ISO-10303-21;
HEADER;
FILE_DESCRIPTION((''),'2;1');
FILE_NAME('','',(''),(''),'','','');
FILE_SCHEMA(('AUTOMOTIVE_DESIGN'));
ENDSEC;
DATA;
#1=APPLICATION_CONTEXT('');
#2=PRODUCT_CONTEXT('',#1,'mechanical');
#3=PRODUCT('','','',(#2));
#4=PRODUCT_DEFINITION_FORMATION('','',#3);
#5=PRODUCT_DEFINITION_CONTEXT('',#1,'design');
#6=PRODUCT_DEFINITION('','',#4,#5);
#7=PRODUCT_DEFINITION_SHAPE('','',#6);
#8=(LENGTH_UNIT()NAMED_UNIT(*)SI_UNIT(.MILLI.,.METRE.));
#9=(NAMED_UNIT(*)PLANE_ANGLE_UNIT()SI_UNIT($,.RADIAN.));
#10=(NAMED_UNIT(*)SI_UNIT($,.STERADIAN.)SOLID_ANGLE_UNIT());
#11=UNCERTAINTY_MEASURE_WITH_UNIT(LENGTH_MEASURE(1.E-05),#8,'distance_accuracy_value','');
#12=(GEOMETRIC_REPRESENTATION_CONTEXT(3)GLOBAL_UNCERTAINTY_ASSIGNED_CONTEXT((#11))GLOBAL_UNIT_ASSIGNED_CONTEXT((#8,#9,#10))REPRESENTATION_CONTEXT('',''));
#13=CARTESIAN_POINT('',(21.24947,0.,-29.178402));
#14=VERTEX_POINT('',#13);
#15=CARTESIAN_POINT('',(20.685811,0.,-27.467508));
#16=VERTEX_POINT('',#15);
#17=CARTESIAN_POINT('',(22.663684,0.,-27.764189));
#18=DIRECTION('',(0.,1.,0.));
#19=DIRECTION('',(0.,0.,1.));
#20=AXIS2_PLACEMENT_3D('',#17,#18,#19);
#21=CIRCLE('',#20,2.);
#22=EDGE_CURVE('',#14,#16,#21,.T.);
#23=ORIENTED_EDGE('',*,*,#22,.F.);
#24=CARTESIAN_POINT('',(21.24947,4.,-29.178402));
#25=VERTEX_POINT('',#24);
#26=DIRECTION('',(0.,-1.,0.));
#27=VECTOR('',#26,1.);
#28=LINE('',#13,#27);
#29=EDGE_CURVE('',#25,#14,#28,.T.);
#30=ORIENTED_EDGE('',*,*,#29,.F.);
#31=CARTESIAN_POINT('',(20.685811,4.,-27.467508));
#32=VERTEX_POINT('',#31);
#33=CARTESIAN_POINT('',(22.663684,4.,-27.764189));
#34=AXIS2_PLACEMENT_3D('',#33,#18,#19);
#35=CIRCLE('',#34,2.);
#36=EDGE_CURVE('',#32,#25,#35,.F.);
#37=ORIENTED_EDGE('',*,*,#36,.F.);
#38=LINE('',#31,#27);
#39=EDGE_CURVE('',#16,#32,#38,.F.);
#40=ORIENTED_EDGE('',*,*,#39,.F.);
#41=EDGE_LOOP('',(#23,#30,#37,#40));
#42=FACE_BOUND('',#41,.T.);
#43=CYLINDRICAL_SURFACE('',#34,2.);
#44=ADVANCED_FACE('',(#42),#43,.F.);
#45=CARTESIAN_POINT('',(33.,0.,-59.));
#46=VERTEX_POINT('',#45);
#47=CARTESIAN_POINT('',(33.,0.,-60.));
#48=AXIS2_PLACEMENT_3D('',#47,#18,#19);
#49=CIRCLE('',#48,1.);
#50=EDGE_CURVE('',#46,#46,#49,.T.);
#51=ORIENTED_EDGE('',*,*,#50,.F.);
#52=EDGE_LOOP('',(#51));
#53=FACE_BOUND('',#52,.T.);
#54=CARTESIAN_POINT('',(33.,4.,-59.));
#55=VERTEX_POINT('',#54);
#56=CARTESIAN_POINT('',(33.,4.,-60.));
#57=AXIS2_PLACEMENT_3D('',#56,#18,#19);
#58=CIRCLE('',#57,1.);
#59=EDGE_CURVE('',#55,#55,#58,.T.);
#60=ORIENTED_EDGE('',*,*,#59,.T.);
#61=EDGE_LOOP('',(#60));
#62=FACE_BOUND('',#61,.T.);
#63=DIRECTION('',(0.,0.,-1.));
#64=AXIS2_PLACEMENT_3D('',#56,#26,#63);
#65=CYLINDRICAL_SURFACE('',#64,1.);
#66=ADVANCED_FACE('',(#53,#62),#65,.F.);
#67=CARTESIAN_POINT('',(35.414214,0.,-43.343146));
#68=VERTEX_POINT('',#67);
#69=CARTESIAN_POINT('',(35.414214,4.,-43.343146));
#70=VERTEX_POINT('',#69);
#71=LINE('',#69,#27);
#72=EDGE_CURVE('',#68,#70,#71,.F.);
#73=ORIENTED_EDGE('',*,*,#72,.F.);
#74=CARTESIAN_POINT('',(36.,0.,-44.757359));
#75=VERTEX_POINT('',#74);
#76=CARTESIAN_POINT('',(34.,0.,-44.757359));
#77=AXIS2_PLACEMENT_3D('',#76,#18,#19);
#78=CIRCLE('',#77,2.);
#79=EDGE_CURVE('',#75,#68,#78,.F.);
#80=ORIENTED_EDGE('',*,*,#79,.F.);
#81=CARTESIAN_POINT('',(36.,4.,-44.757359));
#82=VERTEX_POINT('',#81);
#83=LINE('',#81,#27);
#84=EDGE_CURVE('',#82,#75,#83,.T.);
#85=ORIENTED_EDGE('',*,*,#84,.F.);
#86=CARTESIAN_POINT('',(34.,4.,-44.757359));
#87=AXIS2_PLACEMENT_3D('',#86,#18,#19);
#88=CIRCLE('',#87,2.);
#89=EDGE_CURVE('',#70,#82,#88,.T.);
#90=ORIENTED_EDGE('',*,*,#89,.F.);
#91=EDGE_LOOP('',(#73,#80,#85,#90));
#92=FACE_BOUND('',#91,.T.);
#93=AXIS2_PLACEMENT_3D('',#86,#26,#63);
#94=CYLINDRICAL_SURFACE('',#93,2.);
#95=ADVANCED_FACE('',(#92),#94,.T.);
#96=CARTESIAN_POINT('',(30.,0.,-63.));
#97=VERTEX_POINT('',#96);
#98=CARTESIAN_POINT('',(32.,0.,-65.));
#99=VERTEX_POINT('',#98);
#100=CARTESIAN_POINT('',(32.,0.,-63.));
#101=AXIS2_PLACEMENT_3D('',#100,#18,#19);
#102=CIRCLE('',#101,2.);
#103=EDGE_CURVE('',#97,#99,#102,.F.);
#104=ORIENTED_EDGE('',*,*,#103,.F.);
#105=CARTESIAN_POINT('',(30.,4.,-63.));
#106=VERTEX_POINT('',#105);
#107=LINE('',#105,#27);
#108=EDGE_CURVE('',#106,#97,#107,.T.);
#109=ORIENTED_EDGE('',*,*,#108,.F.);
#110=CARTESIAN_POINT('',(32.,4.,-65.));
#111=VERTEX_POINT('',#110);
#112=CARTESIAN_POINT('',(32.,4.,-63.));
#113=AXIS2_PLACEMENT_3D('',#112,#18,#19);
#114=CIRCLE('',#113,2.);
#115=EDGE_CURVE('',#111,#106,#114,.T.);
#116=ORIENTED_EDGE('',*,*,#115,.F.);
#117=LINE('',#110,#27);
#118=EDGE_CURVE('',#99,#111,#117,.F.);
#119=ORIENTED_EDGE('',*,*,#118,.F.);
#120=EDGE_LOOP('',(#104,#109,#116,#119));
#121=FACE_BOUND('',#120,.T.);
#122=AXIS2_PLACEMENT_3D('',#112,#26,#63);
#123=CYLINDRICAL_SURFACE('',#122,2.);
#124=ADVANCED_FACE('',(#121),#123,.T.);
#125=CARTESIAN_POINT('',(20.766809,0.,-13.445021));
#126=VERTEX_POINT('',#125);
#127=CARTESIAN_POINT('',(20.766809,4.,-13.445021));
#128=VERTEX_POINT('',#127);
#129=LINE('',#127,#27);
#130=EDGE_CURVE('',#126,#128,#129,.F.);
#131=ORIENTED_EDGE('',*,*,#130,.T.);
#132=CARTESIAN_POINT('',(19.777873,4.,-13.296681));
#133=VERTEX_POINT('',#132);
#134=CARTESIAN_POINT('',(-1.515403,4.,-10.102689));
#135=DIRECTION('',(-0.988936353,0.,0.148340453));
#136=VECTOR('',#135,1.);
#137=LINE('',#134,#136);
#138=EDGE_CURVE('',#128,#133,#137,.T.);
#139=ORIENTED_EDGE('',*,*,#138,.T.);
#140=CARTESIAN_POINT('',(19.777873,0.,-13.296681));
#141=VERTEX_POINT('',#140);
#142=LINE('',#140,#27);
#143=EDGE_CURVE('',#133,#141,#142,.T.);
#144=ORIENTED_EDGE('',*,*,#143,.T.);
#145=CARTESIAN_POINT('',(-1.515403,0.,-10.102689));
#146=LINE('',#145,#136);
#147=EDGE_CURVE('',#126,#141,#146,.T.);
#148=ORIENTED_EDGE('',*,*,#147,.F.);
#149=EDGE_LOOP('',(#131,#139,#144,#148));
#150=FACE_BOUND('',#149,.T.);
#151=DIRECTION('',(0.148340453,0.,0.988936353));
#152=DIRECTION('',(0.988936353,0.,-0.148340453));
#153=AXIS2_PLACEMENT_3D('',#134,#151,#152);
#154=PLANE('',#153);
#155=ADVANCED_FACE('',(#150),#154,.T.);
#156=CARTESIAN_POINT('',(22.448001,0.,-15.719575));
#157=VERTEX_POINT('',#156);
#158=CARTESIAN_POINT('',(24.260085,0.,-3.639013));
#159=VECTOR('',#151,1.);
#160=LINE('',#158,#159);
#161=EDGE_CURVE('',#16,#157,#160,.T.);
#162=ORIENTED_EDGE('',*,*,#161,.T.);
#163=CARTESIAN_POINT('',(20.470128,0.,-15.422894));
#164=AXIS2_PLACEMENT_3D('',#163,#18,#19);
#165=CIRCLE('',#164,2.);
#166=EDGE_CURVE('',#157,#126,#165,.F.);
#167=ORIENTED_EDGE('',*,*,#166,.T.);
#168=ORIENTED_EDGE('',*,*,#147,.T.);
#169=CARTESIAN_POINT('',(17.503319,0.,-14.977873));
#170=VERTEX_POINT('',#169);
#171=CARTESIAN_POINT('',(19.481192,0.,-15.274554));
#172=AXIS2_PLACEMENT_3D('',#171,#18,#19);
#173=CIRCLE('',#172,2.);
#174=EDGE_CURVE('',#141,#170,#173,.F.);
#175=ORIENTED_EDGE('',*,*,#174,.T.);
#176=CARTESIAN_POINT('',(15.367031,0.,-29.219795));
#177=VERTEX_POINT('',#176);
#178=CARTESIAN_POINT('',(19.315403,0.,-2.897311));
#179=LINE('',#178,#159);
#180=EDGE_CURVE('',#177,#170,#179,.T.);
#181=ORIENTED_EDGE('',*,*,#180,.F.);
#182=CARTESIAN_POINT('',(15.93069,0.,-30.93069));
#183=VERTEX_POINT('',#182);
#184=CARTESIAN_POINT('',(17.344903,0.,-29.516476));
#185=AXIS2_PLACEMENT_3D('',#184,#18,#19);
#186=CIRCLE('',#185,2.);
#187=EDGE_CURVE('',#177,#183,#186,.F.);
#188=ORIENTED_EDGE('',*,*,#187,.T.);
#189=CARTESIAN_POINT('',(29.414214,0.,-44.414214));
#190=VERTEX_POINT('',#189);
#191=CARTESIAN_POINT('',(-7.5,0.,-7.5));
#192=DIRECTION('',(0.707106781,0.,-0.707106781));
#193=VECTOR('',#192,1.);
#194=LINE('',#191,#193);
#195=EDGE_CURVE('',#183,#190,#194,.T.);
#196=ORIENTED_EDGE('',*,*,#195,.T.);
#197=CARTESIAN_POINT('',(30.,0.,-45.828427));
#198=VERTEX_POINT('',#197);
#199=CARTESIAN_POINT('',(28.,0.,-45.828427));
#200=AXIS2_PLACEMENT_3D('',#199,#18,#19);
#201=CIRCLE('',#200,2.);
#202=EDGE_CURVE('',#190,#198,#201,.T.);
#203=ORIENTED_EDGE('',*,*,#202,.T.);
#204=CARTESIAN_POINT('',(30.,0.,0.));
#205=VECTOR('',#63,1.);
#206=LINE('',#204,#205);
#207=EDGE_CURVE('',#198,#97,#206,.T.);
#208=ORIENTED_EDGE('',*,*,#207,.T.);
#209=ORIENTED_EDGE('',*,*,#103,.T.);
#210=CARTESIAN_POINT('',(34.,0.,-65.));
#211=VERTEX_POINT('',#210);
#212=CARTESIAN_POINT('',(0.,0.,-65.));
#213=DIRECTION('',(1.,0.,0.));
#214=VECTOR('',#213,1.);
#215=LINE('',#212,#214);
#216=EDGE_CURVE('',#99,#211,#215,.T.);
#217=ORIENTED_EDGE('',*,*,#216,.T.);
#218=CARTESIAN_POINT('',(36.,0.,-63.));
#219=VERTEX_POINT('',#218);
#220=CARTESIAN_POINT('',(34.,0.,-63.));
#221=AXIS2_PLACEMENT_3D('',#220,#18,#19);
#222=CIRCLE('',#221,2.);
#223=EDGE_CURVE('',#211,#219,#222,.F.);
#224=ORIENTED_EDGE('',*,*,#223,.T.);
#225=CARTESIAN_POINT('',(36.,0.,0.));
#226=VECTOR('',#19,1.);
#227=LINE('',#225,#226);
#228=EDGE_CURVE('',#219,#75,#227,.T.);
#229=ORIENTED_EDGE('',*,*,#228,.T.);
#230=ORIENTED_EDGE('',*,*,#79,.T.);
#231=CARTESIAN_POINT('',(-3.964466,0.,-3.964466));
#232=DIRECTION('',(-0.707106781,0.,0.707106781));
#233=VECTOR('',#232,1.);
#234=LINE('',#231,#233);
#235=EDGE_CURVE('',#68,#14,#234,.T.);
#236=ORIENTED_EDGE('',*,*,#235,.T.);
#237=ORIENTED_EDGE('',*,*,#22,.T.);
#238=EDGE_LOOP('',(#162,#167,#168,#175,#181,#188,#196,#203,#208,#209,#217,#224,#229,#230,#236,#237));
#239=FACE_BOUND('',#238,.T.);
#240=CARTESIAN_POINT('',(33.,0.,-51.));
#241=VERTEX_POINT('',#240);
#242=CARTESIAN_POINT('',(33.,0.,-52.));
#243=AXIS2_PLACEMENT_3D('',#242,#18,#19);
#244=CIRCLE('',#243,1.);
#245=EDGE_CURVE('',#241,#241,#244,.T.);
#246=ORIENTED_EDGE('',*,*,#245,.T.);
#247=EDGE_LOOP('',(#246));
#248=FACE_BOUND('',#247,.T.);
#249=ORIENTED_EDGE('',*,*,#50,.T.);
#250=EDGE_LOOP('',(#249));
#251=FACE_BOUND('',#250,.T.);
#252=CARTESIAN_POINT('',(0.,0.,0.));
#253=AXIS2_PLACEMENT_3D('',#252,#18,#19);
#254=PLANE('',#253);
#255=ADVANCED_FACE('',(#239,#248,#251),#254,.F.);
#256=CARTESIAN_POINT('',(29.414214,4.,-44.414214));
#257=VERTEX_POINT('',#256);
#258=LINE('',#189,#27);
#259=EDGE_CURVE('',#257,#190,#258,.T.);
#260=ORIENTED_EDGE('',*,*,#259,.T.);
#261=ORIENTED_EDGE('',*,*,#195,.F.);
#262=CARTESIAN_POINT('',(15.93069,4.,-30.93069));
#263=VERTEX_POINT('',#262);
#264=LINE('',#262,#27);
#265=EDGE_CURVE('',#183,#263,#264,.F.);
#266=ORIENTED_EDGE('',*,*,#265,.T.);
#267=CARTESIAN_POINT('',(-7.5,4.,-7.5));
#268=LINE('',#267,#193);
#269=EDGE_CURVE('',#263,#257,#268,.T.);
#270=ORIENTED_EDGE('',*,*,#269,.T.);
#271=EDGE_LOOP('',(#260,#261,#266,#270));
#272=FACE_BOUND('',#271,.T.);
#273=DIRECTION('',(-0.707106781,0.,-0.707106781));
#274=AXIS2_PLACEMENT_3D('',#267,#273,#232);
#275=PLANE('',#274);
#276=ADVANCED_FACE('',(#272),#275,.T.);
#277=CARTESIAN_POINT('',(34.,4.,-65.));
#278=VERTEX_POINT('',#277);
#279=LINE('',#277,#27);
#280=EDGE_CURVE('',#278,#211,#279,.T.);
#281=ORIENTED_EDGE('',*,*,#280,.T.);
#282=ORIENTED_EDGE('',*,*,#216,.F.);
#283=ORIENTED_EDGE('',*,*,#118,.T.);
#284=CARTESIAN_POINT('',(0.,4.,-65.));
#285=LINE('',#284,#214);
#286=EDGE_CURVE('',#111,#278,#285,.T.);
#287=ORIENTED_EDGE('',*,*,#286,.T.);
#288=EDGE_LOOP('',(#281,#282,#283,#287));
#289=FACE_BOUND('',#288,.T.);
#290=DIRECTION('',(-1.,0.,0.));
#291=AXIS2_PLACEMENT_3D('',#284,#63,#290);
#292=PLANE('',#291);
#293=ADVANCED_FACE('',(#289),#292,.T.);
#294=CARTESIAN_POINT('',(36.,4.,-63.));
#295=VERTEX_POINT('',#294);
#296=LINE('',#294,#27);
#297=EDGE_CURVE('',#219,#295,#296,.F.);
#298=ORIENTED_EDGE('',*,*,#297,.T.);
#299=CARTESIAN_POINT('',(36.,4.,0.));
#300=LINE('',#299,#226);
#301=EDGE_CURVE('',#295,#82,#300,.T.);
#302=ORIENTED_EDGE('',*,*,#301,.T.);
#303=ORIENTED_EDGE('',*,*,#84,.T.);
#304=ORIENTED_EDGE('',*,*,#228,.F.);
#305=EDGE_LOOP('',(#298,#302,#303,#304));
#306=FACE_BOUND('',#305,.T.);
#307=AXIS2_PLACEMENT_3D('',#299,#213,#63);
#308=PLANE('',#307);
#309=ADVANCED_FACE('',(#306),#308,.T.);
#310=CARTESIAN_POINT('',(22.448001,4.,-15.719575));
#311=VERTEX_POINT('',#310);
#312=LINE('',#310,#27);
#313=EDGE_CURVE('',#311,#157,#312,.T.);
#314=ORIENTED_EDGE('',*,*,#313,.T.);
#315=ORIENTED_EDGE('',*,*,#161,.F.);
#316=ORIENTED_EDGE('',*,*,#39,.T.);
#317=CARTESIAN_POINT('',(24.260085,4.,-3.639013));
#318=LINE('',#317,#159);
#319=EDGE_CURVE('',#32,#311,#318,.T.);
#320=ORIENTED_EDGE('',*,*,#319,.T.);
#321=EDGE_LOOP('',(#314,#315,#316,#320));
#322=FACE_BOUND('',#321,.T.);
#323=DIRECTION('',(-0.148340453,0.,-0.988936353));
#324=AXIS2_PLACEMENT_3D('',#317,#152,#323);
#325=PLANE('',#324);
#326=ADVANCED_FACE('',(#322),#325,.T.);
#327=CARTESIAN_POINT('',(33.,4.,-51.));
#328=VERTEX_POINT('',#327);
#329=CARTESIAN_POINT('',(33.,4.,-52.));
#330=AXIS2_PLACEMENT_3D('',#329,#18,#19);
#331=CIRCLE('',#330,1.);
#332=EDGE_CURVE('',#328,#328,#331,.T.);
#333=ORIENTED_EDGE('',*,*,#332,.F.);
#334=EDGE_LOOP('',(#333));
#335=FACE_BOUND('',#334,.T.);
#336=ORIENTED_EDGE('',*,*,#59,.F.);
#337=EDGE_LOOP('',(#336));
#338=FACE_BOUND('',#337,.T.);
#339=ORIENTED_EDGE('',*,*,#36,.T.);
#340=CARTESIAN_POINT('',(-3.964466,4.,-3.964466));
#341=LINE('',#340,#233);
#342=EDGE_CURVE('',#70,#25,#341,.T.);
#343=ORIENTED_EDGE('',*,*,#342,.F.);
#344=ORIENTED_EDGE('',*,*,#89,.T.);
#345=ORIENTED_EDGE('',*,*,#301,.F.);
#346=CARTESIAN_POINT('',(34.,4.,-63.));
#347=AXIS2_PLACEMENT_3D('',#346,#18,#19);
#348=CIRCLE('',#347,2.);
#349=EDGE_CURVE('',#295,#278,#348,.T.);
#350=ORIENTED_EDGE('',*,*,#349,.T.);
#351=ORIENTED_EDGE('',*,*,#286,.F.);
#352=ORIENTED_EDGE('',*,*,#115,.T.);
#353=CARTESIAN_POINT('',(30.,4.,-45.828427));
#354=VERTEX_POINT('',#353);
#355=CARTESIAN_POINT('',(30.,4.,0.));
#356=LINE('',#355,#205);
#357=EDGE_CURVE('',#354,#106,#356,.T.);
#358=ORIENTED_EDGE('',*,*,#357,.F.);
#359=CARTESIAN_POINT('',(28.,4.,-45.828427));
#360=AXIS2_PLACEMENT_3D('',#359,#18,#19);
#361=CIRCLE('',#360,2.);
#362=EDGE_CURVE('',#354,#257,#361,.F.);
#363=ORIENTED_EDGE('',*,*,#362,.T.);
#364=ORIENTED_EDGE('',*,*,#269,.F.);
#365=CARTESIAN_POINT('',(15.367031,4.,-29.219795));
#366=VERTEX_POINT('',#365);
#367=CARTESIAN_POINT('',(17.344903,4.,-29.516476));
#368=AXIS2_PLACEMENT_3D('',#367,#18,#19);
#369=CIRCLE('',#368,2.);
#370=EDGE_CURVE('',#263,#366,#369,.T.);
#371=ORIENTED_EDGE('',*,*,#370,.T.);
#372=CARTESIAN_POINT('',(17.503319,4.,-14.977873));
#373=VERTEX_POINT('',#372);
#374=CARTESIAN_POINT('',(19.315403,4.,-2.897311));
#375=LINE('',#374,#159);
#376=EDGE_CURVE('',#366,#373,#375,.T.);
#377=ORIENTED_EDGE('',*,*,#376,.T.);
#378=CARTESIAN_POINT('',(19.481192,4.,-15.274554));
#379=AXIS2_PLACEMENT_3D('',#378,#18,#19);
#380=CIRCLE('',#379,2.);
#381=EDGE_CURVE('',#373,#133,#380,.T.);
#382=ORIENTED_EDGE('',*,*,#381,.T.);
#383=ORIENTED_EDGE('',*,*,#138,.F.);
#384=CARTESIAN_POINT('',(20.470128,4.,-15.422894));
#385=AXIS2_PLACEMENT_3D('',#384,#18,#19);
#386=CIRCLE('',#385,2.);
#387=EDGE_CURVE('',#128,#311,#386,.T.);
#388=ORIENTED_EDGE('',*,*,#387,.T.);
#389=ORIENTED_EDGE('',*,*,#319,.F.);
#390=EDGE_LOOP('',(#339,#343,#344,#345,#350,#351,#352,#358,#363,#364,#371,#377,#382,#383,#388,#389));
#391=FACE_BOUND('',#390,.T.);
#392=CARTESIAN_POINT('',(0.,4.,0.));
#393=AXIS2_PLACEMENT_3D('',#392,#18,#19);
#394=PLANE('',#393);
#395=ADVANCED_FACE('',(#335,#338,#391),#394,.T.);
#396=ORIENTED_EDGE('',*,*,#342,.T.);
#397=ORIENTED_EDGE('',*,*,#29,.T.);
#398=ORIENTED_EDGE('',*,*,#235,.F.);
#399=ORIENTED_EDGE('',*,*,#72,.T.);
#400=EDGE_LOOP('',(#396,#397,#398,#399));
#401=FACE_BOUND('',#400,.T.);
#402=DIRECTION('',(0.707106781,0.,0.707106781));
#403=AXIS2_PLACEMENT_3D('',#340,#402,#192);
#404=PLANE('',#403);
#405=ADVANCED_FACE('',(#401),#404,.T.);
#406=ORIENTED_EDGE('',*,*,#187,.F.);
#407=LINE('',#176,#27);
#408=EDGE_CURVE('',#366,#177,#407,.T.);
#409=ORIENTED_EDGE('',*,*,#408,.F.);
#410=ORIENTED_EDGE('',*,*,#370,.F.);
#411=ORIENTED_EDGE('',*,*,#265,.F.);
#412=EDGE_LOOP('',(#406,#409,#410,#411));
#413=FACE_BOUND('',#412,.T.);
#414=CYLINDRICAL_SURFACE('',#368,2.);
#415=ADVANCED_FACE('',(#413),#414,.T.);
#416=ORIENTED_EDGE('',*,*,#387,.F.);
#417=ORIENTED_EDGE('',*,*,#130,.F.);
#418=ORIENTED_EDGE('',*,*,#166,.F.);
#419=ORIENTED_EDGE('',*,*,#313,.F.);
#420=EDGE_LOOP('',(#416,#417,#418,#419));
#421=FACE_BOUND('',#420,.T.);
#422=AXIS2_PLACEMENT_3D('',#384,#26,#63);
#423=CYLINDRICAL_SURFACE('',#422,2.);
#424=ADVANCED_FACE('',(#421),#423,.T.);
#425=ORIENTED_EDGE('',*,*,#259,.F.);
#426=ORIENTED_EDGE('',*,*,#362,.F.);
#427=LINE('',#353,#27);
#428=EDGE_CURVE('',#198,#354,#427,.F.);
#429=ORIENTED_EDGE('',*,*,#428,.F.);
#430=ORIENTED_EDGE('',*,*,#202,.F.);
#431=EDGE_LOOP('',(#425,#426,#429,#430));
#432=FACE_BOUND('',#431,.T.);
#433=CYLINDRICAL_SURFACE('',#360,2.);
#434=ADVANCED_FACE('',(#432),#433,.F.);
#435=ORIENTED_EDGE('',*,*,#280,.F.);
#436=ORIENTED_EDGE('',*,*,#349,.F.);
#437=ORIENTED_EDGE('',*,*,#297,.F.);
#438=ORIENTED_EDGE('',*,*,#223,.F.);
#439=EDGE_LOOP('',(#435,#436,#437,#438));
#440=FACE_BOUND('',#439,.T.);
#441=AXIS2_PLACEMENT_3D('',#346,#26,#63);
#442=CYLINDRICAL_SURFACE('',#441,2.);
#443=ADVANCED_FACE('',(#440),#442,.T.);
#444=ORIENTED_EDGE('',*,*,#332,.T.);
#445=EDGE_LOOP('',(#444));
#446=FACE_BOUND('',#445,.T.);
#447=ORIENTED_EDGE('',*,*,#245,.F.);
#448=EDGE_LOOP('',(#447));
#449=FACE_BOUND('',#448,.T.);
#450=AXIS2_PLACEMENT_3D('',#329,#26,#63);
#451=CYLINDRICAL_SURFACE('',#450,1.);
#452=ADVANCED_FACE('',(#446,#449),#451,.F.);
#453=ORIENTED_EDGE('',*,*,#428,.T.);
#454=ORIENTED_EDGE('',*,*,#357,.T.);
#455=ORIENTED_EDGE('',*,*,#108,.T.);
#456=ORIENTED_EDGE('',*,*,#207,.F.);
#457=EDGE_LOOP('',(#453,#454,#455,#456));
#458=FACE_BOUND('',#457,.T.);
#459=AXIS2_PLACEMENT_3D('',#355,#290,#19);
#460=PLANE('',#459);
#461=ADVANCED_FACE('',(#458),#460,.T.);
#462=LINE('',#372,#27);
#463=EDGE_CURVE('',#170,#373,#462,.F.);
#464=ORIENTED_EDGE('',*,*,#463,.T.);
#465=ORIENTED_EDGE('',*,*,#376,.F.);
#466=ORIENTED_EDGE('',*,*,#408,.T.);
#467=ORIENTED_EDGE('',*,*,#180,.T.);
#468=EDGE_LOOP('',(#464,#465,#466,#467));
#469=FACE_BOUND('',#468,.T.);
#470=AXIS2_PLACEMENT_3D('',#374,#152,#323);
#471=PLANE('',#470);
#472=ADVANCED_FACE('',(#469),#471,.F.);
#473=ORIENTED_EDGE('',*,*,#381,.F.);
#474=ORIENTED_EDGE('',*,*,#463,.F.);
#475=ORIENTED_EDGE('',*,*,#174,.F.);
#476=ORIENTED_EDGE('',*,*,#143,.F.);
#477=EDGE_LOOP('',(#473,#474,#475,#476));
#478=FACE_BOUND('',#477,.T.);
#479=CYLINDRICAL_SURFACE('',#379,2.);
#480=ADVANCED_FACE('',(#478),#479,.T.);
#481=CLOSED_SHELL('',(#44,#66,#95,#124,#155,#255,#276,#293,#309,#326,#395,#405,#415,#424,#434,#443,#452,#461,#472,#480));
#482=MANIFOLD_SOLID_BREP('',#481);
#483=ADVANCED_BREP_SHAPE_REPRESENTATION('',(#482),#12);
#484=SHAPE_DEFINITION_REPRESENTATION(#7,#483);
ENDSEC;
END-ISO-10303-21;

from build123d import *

# Parameters (mm, degrees)
SKETCH_1_R      = 1
EXTRUDE_1_DEPTH = 4
FILLET_1_R      = 2


with BuildPart() as part:
    # 草图1 → 凸台-拉伸1 (new body)
    with BuildSketch(Plane(origin=(0, 0, 0), x_dir=(1, 0, 0), z_dir=(0, 1, 0))):
        Polygon((22.744681764, 13.741702265), (17.8, 13), (15.217391304, 30.217391304), (25, 40), (30, 45), (30, 65), (36, 65), (36, 43.928932188), (30.292893219, 38.221825407), (20.536171544, 28.465103732), align=None)
        with Locations(Location((33, 52, 0), (0, 0, 270))):
            Circle(SKETCH_1_R, mode=Mode.SUBTRACT)
        with Locations(Location((33, 60, 0), (0, 0, 270))):
            Circle(SKETCH_1_R, mode=Mode.SUBTRACT)
    extrude(amount=EXTRUDE_1_DEPTH)

    # 圆角1
    fillet_1_edges = [part.edges().sort_by_distance(p)[0] for p in [
        (17.8, 2, -13),
        (15.217391304, 2, -30.217391304),
        (30, 2, -45),
        (30, 2, -65),
        (36, 2, -65),
        (36, 2, -43.928932188),
        (20.536171544, 2, -28.465103732),
        (22.744681764, 2, -13.741702265),
    ]]
    fillet(fillet_1_edges, radius=FILLET_1_R)


solid = part.part
